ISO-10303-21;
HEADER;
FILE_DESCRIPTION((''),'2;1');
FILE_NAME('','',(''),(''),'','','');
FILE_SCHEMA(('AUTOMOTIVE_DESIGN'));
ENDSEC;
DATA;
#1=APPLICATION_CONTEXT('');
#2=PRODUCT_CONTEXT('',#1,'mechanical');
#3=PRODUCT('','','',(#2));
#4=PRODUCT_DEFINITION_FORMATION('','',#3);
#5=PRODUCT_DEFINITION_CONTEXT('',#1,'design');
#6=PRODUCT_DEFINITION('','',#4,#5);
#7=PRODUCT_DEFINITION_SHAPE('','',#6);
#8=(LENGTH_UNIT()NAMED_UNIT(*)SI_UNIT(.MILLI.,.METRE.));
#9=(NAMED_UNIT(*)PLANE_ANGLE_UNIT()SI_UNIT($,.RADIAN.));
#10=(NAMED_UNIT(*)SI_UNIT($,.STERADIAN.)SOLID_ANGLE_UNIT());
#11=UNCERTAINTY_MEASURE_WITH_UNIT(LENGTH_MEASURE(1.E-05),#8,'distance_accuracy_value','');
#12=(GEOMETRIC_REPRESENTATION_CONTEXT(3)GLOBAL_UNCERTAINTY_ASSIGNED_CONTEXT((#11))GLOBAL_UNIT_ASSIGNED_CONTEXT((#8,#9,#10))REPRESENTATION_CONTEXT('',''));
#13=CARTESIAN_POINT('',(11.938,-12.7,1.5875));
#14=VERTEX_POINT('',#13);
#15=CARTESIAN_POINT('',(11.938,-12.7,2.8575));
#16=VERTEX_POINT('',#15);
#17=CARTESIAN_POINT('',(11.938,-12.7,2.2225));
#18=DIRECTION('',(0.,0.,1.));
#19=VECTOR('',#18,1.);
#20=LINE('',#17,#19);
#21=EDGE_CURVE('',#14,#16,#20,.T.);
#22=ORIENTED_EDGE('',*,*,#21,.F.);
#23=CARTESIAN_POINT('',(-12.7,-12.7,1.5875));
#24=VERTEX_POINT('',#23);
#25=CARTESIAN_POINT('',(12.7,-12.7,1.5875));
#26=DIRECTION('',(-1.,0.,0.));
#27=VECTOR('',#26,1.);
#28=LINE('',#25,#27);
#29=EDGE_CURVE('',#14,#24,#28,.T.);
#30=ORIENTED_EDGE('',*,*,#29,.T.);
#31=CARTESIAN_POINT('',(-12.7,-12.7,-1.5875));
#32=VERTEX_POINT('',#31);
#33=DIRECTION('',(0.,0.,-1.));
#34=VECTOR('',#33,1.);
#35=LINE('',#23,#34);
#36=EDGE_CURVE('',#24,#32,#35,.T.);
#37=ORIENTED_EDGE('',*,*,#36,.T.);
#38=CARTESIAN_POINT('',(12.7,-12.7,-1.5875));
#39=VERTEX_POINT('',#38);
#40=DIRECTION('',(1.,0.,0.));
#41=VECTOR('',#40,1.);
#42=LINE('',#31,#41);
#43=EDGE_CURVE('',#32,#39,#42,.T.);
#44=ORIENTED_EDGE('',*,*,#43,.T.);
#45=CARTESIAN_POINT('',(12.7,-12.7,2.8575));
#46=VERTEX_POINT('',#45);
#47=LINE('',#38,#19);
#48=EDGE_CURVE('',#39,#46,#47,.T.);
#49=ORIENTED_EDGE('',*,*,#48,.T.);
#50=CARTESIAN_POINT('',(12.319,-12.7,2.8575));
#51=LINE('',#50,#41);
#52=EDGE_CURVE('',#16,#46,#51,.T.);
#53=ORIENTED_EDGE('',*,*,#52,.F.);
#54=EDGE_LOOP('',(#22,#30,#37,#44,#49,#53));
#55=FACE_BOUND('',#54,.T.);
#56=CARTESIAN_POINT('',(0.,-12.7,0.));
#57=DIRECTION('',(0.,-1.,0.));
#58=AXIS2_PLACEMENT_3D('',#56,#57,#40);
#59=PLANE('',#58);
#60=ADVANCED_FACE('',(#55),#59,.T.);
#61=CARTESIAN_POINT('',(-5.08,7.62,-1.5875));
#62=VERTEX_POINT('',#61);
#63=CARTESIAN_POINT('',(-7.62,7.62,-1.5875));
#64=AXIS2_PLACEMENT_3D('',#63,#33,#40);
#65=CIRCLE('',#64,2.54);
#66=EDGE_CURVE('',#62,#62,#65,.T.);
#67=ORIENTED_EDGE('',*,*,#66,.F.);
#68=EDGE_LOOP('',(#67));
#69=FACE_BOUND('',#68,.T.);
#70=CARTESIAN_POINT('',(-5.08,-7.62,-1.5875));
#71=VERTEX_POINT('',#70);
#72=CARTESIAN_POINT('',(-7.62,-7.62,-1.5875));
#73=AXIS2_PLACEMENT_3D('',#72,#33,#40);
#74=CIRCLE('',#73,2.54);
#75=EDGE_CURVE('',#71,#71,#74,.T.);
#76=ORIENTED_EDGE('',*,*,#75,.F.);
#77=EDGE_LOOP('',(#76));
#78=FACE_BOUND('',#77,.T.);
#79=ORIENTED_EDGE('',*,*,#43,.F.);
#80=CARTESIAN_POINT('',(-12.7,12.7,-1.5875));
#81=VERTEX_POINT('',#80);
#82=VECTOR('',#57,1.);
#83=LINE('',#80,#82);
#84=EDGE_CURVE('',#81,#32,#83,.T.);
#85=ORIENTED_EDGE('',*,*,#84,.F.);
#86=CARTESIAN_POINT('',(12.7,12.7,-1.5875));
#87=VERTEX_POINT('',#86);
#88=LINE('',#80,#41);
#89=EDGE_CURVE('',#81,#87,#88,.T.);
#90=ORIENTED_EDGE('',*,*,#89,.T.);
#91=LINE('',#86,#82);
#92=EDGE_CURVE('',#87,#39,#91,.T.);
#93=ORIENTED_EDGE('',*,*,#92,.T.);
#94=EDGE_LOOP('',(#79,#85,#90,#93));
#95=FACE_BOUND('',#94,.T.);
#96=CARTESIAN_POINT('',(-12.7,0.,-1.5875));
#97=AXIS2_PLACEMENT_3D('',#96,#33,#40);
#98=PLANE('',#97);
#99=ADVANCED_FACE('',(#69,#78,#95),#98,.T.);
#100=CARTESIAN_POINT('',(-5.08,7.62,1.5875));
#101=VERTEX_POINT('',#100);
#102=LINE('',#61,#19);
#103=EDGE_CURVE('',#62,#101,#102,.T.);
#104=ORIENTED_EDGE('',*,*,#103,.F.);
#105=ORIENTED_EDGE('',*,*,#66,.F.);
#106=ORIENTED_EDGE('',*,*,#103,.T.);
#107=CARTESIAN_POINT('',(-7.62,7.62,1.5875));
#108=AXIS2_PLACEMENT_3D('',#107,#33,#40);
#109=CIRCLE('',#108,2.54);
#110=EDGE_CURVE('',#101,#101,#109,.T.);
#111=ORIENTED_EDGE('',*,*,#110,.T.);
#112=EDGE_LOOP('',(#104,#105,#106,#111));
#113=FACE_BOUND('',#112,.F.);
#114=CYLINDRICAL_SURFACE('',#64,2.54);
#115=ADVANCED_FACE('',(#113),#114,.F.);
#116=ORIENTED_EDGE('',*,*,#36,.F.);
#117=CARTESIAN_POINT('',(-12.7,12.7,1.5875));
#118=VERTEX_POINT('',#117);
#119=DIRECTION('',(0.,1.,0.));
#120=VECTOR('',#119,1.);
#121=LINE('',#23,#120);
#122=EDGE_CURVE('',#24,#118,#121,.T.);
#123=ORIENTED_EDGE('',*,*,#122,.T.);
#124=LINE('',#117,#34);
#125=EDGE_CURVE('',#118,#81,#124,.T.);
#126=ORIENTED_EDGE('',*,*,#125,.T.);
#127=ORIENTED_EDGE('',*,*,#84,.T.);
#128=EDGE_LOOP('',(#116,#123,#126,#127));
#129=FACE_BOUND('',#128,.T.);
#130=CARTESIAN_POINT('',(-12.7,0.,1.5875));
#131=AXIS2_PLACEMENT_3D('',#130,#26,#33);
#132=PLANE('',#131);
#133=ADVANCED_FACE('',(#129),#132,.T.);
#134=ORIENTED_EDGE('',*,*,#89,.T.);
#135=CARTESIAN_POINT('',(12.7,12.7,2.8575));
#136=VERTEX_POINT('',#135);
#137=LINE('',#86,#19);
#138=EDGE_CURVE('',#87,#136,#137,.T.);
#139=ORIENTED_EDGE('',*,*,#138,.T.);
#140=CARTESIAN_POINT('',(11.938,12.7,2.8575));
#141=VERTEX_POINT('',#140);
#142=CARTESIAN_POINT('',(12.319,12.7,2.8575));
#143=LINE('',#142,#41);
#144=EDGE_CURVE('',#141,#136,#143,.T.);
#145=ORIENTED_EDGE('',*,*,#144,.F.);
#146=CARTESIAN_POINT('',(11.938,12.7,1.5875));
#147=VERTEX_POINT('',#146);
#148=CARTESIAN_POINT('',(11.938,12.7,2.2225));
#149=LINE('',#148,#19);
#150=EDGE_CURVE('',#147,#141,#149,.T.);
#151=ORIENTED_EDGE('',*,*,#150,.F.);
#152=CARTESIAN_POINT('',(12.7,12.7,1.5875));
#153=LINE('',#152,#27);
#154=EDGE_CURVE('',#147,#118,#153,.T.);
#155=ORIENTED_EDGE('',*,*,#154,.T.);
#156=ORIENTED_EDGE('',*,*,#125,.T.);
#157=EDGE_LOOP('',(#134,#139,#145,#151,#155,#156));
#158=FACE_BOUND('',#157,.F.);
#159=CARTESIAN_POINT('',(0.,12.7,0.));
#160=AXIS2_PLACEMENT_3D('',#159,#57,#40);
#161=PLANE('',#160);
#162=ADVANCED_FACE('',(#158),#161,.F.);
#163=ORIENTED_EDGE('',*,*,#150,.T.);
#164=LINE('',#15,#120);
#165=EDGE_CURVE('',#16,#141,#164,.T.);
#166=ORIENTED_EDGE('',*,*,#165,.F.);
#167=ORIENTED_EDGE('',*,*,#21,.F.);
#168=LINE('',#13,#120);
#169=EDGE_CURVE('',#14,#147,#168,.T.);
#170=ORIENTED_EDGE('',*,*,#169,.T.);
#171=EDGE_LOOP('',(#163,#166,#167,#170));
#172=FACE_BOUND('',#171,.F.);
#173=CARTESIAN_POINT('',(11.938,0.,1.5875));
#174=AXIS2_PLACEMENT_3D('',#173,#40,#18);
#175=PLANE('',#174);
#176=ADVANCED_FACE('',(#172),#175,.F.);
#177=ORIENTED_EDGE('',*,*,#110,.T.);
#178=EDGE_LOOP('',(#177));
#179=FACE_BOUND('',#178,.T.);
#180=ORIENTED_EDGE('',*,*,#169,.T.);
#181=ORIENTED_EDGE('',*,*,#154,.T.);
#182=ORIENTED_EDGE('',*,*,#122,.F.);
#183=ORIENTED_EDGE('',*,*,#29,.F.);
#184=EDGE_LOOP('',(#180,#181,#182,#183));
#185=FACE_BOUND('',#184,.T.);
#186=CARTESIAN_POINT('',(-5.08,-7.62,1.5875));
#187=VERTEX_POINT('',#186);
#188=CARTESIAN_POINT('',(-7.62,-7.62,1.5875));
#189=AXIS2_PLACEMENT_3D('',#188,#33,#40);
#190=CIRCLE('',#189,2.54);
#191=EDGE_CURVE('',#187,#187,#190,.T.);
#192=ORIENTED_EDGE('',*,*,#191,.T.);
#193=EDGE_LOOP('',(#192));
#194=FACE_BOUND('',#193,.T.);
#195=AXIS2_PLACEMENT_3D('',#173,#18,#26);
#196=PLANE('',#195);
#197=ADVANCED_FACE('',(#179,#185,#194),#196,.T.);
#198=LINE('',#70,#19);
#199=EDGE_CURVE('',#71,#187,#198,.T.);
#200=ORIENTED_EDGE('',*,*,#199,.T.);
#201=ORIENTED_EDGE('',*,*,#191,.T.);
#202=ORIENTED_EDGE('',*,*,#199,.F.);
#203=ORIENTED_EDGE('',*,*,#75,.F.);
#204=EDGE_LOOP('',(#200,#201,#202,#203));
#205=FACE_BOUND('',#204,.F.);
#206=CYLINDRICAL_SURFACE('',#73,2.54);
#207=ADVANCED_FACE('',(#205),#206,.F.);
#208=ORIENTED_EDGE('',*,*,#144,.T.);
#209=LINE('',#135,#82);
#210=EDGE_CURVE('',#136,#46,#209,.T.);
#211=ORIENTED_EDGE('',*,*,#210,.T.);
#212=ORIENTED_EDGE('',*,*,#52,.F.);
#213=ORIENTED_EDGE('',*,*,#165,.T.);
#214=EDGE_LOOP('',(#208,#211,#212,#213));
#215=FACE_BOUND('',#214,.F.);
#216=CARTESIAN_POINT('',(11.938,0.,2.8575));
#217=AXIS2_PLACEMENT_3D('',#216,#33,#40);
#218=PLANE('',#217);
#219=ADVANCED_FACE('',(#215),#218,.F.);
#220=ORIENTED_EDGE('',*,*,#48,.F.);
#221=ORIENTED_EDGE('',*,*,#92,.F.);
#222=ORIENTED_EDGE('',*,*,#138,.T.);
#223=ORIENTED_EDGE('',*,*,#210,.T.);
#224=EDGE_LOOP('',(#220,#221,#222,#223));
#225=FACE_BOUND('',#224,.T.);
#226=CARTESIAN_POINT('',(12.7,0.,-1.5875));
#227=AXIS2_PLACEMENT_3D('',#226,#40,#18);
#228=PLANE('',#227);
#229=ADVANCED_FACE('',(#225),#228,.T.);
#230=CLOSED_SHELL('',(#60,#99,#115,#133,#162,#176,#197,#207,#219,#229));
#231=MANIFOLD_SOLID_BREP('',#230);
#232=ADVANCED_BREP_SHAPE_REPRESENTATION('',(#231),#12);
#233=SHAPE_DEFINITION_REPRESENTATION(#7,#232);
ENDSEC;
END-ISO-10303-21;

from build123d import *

# Parameters (mm, degrees)
F0_W     = 0.762
F0_H     = 1.27
F1_DEPTH = 12.7
F2_R     = 2.54
F3_DEPTH = 4.446


with BuildPart() as f1:
    # F0 (on Front) → F1 (new body, symmetric)
    with BuildSketch(Plane.XZ):
        Polygon((11.938, 1.5875), (-12.7, 1.5875), (-12.7, -1.5875), (12.7, -1.5875), (12.7, 1.5875), align=None)
        with Locations((12.319, 2.2225)):
            Rectangle(F0_W, F0_H)
    extrude(amount=F1_DEPTH, both=True)

    # F2 (on face) → F3 (cut, through all)
    with BuildSketch(Plane(origin=(0, 0, -1.5875), x_dir=(1, 0, 0), z_dir=(0, 0, -1))):
        with Locations((-7.62, 7.62)):
            Circle(F2_R)
        with Locations((-7.62, -7.62)):
            Circle(F2_R)
    extrude(amount=-F3_DEPTH, mode=Mode.SUBTRACT)


solid = f1.part
